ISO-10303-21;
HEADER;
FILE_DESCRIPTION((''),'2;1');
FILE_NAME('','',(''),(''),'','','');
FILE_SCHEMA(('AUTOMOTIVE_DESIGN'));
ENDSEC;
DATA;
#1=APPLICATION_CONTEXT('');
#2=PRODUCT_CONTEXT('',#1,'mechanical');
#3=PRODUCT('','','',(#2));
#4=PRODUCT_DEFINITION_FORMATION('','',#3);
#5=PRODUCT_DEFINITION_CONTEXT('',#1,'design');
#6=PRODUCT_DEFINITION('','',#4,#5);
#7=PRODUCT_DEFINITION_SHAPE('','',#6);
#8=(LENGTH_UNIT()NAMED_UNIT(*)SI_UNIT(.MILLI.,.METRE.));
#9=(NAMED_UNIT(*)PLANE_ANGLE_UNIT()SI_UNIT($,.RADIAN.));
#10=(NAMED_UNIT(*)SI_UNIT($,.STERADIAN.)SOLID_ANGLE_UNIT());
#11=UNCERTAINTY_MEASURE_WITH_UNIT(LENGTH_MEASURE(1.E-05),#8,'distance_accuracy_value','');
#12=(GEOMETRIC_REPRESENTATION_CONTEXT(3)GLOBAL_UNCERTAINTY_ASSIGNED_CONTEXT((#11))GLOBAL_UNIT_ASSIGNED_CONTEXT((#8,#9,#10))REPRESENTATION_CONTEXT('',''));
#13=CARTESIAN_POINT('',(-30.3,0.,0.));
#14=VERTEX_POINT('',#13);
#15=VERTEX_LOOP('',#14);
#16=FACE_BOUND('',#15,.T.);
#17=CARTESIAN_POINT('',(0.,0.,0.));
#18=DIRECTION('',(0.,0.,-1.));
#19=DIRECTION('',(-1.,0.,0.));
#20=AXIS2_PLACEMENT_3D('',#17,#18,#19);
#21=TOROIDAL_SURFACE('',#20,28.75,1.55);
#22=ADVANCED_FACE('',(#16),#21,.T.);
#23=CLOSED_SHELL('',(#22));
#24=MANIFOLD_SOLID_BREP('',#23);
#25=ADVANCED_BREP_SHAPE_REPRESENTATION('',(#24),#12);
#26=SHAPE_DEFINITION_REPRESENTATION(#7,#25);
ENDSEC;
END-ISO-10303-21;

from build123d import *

# Parameters (mm, degrees)
SKETCH2_R = 1.55


with BuildPart() as part:
    # Sweep1: sweep along a path in Sketch1
    with BuildLine(Plane.XY) as sweep1_path:
        CenterArc((0, 0), 27.2, 0, 360)
    # Sketch2 → Sweep1 (sweep)
    with BuildSketch(Plane(origin=(0, 0, 0), x_dir=(1, 0, 0), z_dir=(0, 1, 0))):
        with Locations((-28.75, 0)):
            Circle(SKETCH2_R)
    sweep(path=sweep1_path.line)


solid = part.part
